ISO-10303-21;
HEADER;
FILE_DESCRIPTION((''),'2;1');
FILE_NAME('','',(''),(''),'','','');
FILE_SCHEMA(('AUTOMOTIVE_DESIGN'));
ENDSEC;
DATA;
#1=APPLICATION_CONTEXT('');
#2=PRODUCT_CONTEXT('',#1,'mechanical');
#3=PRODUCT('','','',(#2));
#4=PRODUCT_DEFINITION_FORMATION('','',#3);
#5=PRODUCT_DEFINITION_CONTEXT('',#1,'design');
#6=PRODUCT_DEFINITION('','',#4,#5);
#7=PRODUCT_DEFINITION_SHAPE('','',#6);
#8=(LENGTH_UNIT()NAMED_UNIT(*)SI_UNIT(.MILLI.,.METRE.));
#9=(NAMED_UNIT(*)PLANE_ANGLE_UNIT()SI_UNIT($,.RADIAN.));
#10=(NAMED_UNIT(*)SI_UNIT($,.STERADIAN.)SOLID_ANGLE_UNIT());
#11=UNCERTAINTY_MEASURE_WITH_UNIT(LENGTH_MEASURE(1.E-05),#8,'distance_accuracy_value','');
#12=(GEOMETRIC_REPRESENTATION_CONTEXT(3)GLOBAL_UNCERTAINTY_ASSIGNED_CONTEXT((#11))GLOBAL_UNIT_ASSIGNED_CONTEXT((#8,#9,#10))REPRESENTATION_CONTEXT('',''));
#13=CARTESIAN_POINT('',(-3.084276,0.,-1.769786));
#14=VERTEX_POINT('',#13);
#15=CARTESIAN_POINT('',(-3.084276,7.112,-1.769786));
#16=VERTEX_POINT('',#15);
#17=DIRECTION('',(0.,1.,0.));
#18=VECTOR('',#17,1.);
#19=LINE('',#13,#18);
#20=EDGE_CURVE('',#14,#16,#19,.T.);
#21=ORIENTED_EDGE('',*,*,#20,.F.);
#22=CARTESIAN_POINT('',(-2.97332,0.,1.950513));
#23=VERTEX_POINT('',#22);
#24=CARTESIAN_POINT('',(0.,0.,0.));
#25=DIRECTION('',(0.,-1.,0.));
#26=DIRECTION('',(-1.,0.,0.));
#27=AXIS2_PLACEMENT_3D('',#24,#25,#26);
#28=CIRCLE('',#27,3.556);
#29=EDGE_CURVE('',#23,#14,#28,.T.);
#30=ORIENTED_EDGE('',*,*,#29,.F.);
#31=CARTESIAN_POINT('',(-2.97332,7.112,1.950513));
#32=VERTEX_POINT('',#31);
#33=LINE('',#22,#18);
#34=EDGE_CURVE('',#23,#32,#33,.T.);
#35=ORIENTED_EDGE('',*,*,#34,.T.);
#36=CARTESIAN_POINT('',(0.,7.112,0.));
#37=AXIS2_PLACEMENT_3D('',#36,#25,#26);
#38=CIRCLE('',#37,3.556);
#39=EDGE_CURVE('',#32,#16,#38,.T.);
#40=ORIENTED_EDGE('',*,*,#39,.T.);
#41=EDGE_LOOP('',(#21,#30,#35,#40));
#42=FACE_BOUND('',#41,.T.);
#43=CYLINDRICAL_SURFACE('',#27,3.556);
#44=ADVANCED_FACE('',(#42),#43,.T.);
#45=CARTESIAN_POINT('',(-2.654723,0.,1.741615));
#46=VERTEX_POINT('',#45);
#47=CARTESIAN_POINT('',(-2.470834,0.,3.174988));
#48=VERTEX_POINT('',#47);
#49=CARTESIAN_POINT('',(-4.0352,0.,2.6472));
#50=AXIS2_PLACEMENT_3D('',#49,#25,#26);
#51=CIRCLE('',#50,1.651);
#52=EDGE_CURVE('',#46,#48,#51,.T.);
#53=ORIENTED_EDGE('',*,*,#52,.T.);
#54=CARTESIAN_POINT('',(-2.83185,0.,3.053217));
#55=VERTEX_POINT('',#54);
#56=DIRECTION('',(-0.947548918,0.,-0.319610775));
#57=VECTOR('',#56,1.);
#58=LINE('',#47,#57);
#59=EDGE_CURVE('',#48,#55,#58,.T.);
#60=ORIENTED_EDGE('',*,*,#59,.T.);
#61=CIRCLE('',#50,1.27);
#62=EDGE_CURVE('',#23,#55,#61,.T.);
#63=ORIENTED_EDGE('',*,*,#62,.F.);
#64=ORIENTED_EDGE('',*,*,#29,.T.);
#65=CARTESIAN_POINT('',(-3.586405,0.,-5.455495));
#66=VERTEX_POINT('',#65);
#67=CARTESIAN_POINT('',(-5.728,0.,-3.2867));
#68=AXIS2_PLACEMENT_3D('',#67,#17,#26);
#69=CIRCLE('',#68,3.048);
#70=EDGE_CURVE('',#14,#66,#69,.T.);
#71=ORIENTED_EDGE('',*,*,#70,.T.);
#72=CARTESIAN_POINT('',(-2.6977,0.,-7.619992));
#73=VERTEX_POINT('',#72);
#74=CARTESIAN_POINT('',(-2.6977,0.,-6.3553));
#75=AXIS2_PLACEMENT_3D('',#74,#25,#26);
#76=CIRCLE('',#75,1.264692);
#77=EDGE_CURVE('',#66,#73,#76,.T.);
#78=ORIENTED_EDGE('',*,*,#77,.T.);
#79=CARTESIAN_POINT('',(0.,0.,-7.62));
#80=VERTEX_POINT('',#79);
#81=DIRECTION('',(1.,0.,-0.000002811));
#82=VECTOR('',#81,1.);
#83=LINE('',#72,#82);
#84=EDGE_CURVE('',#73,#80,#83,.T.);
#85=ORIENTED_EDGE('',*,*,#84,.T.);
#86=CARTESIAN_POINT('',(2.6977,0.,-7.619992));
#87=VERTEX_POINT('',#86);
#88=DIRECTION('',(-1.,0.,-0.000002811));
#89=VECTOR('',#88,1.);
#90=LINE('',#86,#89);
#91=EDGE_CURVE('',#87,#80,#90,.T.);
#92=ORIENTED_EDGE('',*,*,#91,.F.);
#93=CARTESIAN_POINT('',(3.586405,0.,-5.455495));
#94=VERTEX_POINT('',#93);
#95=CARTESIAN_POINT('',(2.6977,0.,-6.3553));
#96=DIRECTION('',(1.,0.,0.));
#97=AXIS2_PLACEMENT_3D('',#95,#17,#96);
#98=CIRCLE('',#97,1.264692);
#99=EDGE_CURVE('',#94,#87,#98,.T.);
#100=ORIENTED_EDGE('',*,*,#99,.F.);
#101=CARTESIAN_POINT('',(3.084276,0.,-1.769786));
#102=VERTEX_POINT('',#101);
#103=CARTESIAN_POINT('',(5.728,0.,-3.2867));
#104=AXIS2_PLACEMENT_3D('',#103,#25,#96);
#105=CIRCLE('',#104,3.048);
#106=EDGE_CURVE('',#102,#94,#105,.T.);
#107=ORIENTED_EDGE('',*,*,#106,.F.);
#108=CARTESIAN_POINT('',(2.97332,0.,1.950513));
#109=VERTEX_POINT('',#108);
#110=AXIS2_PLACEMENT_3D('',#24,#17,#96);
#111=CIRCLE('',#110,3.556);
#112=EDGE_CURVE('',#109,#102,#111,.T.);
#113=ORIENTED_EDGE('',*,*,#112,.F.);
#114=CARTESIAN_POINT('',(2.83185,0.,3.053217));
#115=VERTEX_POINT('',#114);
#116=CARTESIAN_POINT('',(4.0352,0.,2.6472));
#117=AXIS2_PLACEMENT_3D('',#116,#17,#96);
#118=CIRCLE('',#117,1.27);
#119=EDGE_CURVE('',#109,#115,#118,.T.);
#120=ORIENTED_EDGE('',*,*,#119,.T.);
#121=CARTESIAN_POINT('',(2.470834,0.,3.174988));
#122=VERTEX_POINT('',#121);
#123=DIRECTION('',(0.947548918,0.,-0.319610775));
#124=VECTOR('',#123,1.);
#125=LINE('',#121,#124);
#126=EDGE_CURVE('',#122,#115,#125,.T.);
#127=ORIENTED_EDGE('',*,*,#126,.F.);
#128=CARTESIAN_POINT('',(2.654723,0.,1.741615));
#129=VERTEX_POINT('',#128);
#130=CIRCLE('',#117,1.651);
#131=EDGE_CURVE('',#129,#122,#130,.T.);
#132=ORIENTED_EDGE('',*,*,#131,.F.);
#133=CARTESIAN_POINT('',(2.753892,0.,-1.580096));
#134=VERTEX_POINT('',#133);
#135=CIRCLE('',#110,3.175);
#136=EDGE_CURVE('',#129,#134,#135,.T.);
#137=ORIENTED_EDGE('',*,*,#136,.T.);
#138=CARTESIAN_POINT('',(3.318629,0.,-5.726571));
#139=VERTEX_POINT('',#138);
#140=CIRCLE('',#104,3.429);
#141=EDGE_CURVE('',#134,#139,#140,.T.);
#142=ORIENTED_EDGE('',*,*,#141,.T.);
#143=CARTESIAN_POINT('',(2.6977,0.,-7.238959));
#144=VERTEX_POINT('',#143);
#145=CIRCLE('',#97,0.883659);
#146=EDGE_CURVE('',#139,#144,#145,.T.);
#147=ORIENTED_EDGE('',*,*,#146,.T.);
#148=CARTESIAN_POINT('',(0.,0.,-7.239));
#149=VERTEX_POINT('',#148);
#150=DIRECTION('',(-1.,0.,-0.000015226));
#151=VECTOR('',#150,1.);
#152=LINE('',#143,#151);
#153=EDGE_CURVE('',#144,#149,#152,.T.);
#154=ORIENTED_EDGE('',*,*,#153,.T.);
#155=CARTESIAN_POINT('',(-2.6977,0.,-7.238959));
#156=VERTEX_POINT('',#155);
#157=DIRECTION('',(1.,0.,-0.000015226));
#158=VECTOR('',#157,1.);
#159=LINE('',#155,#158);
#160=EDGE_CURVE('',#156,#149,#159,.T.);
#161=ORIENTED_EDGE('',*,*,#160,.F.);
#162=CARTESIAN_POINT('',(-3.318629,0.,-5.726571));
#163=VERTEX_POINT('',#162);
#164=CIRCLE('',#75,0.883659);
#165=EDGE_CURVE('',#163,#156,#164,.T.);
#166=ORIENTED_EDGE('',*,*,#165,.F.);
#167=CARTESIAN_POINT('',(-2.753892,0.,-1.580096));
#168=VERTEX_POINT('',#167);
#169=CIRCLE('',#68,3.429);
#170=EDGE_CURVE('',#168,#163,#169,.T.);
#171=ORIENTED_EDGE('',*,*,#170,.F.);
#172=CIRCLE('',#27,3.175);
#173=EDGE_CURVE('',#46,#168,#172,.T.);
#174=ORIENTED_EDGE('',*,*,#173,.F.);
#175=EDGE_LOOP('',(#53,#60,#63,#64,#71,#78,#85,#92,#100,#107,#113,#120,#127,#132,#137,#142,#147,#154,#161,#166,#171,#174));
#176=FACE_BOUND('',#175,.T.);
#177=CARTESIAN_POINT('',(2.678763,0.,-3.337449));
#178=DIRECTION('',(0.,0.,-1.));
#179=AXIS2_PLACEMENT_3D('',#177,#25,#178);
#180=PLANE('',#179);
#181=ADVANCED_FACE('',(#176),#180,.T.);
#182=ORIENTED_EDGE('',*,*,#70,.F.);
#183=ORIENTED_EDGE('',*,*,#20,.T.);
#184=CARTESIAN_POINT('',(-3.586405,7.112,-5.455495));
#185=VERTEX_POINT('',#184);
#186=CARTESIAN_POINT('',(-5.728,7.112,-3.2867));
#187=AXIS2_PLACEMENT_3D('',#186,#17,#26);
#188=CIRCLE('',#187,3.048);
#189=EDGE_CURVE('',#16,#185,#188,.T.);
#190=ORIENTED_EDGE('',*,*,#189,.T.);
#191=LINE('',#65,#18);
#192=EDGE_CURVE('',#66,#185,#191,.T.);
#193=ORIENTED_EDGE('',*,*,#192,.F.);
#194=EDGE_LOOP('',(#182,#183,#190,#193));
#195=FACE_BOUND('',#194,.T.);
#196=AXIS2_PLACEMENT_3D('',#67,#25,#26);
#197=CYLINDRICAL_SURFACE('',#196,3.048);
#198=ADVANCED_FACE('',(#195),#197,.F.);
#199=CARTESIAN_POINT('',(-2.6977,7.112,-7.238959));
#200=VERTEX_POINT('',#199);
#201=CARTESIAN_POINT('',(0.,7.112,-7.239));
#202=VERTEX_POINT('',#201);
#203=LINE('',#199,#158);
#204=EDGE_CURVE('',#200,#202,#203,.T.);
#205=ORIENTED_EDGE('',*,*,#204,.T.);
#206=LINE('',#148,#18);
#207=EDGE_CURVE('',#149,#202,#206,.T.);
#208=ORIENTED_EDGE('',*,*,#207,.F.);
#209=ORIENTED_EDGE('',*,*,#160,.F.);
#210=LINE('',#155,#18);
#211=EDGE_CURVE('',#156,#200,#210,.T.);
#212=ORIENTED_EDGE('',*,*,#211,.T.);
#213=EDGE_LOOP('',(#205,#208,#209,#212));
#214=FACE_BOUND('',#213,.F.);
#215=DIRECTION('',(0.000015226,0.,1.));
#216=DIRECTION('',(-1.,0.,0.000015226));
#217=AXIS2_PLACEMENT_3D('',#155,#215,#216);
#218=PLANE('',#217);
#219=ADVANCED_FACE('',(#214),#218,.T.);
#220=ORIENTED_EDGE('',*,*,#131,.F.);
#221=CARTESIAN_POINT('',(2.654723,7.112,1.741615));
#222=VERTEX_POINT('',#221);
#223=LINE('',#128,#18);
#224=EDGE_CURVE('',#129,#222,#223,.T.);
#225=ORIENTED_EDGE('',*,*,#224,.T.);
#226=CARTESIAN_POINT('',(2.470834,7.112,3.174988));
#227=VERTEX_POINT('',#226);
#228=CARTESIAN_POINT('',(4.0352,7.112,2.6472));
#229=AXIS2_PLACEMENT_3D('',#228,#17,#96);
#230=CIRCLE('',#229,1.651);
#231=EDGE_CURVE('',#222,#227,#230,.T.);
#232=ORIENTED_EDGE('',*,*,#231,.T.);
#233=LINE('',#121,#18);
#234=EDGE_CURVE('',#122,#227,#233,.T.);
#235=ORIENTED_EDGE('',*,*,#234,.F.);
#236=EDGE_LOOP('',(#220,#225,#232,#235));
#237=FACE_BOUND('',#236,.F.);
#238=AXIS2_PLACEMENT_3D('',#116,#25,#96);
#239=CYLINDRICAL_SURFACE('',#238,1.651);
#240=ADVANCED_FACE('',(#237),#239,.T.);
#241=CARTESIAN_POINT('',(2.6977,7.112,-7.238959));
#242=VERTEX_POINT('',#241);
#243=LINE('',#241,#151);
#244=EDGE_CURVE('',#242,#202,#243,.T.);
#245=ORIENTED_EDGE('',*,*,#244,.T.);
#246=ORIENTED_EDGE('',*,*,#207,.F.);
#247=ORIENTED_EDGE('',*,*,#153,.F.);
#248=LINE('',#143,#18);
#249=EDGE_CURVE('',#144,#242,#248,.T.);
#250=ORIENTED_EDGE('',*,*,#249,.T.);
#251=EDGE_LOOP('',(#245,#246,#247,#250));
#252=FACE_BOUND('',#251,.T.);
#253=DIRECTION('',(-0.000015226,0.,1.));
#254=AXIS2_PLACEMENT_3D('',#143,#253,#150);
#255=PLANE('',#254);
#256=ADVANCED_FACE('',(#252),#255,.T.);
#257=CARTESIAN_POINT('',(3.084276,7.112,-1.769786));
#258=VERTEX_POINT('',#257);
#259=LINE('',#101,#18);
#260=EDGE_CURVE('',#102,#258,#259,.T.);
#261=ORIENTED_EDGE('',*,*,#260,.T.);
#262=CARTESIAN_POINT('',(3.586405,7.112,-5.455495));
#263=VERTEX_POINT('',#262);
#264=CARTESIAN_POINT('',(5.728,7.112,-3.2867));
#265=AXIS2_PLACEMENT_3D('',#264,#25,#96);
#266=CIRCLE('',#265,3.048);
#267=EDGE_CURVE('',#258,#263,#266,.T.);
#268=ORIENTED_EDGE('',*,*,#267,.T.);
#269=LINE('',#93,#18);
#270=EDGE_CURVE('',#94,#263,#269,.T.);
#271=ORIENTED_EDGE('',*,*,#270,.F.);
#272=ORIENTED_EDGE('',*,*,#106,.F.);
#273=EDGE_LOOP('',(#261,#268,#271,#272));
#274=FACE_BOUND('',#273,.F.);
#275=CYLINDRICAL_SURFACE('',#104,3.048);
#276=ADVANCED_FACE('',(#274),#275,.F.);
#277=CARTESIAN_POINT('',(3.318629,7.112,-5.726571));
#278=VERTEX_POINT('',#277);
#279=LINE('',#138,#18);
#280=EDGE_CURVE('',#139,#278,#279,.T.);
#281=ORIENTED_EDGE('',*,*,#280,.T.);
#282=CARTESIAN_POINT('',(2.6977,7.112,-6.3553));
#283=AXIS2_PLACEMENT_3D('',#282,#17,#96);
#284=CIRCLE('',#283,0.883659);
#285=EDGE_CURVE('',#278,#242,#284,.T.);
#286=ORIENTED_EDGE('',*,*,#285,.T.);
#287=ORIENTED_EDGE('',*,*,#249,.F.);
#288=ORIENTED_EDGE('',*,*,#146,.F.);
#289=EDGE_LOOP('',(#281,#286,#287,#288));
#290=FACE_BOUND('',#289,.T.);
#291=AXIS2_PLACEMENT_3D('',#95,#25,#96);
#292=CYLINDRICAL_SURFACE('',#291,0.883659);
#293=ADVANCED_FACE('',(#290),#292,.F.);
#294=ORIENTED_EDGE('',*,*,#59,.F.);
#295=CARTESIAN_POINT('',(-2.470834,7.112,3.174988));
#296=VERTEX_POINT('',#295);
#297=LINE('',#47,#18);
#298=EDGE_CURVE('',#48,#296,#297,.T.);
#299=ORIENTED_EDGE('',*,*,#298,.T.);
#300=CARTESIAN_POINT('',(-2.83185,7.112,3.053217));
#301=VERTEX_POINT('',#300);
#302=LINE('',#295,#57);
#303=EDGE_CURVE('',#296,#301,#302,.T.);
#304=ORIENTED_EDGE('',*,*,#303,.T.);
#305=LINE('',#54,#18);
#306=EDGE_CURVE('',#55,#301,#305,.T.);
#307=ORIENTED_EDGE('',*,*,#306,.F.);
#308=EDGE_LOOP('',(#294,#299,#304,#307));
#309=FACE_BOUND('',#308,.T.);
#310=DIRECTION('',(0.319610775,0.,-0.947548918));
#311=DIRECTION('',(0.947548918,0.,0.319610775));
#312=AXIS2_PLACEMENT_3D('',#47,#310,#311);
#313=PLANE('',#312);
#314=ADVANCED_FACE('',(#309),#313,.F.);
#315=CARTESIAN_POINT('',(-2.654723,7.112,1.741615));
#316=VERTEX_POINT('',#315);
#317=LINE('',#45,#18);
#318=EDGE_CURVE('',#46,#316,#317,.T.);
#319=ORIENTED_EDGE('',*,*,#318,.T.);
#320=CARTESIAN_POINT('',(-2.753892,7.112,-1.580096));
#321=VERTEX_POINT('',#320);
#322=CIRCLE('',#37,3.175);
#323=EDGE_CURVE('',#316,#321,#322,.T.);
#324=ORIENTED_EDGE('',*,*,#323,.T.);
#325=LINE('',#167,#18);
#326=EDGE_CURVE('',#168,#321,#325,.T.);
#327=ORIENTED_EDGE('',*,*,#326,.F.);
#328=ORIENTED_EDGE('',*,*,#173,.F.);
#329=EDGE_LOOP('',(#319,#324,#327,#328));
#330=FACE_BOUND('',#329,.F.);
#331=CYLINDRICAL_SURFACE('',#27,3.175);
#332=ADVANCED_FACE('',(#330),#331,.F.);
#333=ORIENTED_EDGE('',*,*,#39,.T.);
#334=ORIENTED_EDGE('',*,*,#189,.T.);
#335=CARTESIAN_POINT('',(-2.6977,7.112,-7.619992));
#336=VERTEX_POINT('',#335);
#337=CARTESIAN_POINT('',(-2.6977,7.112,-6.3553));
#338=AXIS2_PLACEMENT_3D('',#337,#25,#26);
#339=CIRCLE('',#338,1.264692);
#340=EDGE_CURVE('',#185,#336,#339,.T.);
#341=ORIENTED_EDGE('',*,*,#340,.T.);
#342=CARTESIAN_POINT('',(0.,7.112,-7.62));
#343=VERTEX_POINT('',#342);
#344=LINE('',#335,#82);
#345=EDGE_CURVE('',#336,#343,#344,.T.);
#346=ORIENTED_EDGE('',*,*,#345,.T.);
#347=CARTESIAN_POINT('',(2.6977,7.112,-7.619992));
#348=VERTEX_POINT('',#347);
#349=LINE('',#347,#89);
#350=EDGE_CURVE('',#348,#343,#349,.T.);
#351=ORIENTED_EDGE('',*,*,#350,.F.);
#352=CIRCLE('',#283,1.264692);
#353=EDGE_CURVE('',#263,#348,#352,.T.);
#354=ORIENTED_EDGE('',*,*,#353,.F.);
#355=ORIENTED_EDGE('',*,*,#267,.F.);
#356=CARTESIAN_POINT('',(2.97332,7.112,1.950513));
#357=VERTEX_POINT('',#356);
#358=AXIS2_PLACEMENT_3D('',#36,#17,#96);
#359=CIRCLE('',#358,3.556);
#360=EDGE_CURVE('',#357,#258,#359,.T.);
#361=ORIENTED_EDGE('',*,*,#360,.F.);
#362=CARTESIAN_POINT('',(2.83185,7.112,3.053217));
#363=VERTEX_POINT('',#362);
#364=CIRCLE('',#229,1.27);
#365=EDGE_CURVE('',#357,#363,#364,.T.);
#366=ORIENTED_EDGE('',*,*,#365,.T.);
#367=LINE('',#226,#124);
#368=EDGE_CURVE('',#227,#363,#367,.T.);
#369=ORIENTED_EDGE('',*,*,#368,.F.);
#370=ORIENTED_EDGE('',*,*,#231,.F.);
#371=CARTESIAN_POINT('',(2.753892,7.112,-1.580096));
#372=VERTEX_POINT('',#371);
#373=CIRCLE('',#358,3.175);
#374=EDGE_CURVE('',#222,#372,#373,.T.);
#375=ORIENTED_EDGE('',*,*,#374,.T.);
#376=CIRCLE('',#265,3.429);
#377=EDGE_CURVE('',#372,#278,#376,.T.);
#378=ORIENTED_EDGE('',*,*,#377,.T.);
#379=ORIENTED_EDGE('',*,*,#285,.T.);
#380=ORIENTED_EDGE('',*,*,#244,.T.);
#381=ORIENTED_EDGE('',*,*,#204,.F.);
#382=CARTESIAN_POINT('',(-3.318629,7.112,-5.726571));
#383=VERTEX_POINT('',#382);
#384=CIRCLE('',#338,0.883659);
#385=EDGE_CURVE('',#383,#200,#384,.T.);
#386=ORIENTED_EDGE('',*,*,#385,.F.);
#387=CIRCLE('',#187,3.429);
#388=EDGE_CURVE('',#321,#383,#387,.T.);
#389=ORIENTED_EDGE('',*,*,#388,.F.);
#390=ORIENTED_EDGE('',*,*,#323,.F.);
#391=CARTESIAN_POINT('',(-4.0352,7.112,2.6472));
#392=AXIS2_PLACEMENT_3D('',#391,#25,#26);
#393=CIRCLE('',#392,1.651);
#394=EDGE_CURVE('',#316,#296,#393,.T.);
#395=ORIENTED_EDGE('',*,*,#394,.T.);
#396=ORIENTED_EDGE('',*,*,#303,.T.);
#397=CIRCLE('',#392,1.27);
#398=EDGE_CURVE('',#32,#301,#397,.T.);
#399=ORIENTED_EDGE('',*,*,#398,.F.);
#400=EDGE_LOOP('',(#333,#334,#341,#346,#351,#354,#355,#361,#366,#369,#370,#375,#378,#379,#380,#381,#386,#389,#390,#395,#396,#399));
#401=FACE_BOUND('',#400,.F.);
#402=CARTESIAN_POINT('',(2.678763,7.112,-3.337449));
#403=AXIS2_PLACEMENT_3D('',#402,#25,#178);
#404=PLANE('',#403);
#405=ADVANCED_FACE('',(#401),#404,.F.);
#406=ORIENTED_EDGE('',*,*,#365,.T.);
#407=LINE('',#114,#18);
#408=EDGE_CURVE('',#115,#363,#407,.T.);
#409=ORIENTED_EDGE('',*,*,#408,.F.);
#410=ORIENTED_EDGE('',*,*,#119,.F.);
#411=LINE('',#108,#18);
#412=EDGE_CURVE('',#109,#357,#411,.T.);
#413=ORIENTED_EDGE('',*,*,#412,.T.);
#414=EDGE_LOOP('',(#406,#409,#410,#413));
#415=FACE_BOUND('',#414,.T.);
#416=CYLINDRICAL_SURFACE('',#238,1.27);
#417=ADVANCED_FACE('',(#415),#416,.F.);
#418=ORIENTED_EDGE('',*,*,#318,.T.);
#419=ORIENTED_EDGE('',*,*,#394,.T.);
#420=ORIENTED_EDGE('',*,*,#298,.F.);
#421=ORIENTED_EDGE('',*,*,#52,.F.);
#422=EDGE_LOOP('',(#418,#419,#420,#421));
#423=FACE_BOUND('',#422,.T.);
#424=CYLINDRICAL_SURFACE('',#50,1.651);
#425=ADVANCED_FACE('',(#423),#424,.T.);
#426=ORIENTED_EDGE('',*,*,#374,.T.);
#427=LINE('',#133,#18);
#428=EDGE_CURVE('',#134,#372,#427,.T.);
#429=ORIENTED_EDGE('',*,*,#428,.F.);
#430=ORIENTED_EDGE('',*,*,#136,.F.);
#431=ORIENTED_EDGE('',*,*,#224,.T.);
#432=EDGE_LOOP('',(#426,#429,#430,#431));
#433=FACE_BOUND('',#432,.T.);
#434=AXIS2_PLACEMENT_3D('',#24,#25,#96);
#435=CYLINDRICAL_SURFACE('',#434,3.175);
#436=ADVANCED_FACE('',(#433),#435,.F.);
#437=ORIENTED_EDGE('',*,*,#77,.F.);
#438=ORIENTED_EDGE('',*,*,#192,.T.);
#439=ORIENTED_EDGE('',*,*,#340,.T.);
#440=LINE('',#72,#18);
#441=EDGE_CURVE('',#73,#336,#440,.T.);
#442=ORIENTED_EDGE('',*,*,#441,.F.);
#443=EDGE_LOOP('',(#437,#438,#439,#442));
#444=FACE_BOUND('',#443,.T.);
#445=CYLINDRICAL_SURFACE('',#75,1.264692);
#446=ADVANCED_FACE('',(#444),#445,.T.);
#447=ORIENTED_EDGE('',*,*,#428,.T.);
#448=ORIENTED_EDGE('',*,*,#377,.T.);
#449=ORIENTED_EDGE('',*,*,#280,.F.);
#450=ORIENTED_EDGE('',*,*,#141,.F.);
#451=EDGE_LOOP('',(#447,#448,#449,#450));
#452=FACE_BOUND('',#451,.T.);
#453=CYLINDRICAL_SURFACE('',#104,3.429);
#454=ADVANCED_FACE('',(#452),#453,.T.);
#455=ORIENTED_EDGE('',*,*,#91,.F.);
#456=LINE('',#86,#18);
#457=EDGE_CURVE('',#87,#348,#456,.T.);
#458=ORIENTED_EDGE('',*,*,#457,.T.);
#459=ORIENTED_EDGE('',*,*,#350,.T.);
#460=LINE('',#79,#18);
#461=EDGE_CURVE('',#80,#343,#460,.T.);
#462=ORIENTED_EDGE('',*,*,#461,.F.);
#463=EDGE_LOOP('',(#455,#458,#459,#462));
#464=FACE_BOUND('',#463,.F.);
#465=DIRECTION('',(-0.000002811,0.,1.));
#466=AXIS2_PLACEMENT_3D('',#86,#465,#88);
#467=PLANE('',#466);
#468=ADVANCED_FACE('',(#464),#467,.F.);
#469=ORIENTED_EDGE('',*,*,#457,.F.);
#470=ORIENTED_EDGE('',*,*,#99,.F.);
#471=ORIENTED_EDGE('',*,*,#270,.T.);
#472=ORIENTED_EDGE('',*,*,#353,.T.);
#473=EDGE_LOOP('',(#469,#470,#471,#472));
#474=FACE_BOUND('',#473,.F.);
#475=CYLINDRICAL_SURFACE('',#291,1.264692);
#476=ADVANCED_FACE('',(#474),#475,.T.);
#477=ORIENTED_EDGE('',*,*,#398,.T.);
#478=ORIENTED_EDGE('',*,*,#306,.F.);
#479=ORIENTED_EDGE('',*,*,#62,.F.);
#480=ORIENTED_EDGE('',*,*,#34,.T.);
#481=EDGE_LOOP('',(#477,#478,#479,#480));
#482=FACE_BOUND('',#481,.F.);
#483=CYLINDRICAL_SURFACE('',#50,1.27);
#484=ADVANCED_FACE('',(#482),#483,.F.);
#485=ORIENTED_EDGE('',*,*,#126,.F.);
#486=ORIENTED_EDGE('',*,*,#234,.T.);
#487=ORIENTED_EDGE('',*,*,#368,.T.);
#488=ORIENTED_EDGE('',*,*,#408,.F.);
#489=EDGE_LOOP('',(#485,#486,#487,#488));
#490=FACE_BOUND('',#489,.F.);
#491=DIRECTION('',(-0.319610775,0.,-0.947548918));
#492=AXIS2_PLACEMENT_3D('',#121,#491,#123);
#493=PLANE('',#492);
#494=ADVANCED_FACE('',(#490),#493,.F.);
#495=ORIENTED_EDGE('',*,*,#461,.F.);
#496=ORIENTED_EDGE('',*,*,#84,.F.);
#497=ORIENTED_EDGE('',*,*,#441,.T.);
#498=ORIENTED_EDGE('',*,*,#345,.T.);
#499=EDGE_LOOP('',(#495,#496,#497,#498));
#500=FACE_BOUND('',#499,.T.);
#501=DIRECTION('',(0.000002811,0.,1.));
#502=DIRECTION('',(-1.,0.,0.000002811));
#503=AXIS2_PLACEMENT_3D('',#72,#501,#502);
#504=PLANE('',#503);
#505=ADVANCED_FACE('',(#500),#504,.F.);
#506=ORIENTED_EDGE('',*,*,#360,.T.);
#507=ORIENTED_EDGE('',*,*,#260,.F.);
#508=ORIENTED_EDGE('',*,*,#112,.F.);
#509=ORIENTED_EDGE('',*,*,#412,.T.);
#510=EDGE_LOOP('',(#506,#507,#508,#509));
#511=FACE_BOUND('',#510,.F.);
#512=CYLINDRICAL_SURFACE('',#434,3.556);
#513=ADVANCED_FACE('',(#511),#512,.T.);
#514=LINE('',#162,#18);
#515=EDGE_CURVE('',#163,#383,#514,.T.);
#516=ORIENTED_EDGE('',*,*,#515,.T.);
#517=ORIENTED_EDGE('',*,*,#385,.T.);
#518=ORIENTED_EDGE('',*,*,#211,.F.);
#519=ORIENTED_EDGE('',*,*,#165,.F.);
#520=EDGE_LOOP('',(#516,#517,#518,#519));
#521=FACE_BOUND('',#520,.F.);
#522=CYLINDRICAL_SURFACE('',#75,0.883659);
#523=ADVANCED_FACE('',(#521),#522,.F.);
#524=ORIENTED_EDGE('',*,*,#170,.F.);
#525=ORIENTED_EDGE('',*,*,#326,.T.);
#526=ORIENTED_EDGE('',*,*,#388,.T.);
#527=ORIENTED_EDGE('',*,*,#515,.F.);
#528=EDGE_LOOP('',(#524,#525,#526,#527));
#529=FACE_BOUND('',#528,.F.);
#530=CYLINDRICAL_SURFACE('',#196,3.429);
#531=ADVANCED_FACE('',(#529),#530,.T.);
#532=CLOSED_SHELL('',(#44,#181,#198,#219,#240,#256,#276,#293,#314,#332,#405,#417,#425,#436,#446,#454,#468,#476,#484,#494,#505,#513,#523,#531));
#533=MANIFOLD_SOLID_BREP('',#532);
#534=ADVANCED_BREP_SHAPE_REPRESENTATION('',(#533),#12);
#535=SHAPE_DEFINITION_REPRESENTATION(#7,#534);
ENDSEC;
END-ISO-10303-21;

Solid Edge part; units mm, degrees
sketch "Sketch1" plane through (0, 0, 0) normal (0, -1, 0) x (1, 0, 0)
  arc A0 (3.3186, -5.7266) -> (2.6977, -7.239) centre (2.6977, -6.3553) cw
  line L0 (2.6977, -7.239) -> (0, -7.239)
  line L1 (0, -7.239) -> (0, -7.62)
  line L2 (2.6977, -7.62) -> (0, -7.62)
  arc A1 (3.5864, -5.4555) -> (2.6977, -7.62) centre (2.6977, -6.3553) cw
  arc A2 (3.0843, -1.7698) -> (3.5864, -5.4555) centre (5.728, -3.2867) ccw
  arc A3 (2.9733, 1.9505) -> (3.0843, -1.7698) centre (0, 0) cw
  arc A4 (2.9733, 1.9505) -> (2.8319, 3.0532) centre (4.0352, 2.6472) cw
  line L3 (2.4708, 3.175) -> (2.8319, 3.0532)
  arc A5 (2.6547, 1.7416) -> (2.4708, 3.175) centre (4.0352, 2.6472) cw
  arc A6 (2.6547, 1.7416) -> (2.7539, -1.5801) centre (0, 0) cw
  arc A7 (2.7539, -1.5801) -> (3.3186, -5.7266) centre (5.728, -3.2867) ccw
extrude "Protrusion1" add sketch "Sketch1" against normal blind 7.112
mirror "Mirror1" about plane through (0, 3.556, -7.4295) normal (-1, 0, 0) of "Protrusion1"
